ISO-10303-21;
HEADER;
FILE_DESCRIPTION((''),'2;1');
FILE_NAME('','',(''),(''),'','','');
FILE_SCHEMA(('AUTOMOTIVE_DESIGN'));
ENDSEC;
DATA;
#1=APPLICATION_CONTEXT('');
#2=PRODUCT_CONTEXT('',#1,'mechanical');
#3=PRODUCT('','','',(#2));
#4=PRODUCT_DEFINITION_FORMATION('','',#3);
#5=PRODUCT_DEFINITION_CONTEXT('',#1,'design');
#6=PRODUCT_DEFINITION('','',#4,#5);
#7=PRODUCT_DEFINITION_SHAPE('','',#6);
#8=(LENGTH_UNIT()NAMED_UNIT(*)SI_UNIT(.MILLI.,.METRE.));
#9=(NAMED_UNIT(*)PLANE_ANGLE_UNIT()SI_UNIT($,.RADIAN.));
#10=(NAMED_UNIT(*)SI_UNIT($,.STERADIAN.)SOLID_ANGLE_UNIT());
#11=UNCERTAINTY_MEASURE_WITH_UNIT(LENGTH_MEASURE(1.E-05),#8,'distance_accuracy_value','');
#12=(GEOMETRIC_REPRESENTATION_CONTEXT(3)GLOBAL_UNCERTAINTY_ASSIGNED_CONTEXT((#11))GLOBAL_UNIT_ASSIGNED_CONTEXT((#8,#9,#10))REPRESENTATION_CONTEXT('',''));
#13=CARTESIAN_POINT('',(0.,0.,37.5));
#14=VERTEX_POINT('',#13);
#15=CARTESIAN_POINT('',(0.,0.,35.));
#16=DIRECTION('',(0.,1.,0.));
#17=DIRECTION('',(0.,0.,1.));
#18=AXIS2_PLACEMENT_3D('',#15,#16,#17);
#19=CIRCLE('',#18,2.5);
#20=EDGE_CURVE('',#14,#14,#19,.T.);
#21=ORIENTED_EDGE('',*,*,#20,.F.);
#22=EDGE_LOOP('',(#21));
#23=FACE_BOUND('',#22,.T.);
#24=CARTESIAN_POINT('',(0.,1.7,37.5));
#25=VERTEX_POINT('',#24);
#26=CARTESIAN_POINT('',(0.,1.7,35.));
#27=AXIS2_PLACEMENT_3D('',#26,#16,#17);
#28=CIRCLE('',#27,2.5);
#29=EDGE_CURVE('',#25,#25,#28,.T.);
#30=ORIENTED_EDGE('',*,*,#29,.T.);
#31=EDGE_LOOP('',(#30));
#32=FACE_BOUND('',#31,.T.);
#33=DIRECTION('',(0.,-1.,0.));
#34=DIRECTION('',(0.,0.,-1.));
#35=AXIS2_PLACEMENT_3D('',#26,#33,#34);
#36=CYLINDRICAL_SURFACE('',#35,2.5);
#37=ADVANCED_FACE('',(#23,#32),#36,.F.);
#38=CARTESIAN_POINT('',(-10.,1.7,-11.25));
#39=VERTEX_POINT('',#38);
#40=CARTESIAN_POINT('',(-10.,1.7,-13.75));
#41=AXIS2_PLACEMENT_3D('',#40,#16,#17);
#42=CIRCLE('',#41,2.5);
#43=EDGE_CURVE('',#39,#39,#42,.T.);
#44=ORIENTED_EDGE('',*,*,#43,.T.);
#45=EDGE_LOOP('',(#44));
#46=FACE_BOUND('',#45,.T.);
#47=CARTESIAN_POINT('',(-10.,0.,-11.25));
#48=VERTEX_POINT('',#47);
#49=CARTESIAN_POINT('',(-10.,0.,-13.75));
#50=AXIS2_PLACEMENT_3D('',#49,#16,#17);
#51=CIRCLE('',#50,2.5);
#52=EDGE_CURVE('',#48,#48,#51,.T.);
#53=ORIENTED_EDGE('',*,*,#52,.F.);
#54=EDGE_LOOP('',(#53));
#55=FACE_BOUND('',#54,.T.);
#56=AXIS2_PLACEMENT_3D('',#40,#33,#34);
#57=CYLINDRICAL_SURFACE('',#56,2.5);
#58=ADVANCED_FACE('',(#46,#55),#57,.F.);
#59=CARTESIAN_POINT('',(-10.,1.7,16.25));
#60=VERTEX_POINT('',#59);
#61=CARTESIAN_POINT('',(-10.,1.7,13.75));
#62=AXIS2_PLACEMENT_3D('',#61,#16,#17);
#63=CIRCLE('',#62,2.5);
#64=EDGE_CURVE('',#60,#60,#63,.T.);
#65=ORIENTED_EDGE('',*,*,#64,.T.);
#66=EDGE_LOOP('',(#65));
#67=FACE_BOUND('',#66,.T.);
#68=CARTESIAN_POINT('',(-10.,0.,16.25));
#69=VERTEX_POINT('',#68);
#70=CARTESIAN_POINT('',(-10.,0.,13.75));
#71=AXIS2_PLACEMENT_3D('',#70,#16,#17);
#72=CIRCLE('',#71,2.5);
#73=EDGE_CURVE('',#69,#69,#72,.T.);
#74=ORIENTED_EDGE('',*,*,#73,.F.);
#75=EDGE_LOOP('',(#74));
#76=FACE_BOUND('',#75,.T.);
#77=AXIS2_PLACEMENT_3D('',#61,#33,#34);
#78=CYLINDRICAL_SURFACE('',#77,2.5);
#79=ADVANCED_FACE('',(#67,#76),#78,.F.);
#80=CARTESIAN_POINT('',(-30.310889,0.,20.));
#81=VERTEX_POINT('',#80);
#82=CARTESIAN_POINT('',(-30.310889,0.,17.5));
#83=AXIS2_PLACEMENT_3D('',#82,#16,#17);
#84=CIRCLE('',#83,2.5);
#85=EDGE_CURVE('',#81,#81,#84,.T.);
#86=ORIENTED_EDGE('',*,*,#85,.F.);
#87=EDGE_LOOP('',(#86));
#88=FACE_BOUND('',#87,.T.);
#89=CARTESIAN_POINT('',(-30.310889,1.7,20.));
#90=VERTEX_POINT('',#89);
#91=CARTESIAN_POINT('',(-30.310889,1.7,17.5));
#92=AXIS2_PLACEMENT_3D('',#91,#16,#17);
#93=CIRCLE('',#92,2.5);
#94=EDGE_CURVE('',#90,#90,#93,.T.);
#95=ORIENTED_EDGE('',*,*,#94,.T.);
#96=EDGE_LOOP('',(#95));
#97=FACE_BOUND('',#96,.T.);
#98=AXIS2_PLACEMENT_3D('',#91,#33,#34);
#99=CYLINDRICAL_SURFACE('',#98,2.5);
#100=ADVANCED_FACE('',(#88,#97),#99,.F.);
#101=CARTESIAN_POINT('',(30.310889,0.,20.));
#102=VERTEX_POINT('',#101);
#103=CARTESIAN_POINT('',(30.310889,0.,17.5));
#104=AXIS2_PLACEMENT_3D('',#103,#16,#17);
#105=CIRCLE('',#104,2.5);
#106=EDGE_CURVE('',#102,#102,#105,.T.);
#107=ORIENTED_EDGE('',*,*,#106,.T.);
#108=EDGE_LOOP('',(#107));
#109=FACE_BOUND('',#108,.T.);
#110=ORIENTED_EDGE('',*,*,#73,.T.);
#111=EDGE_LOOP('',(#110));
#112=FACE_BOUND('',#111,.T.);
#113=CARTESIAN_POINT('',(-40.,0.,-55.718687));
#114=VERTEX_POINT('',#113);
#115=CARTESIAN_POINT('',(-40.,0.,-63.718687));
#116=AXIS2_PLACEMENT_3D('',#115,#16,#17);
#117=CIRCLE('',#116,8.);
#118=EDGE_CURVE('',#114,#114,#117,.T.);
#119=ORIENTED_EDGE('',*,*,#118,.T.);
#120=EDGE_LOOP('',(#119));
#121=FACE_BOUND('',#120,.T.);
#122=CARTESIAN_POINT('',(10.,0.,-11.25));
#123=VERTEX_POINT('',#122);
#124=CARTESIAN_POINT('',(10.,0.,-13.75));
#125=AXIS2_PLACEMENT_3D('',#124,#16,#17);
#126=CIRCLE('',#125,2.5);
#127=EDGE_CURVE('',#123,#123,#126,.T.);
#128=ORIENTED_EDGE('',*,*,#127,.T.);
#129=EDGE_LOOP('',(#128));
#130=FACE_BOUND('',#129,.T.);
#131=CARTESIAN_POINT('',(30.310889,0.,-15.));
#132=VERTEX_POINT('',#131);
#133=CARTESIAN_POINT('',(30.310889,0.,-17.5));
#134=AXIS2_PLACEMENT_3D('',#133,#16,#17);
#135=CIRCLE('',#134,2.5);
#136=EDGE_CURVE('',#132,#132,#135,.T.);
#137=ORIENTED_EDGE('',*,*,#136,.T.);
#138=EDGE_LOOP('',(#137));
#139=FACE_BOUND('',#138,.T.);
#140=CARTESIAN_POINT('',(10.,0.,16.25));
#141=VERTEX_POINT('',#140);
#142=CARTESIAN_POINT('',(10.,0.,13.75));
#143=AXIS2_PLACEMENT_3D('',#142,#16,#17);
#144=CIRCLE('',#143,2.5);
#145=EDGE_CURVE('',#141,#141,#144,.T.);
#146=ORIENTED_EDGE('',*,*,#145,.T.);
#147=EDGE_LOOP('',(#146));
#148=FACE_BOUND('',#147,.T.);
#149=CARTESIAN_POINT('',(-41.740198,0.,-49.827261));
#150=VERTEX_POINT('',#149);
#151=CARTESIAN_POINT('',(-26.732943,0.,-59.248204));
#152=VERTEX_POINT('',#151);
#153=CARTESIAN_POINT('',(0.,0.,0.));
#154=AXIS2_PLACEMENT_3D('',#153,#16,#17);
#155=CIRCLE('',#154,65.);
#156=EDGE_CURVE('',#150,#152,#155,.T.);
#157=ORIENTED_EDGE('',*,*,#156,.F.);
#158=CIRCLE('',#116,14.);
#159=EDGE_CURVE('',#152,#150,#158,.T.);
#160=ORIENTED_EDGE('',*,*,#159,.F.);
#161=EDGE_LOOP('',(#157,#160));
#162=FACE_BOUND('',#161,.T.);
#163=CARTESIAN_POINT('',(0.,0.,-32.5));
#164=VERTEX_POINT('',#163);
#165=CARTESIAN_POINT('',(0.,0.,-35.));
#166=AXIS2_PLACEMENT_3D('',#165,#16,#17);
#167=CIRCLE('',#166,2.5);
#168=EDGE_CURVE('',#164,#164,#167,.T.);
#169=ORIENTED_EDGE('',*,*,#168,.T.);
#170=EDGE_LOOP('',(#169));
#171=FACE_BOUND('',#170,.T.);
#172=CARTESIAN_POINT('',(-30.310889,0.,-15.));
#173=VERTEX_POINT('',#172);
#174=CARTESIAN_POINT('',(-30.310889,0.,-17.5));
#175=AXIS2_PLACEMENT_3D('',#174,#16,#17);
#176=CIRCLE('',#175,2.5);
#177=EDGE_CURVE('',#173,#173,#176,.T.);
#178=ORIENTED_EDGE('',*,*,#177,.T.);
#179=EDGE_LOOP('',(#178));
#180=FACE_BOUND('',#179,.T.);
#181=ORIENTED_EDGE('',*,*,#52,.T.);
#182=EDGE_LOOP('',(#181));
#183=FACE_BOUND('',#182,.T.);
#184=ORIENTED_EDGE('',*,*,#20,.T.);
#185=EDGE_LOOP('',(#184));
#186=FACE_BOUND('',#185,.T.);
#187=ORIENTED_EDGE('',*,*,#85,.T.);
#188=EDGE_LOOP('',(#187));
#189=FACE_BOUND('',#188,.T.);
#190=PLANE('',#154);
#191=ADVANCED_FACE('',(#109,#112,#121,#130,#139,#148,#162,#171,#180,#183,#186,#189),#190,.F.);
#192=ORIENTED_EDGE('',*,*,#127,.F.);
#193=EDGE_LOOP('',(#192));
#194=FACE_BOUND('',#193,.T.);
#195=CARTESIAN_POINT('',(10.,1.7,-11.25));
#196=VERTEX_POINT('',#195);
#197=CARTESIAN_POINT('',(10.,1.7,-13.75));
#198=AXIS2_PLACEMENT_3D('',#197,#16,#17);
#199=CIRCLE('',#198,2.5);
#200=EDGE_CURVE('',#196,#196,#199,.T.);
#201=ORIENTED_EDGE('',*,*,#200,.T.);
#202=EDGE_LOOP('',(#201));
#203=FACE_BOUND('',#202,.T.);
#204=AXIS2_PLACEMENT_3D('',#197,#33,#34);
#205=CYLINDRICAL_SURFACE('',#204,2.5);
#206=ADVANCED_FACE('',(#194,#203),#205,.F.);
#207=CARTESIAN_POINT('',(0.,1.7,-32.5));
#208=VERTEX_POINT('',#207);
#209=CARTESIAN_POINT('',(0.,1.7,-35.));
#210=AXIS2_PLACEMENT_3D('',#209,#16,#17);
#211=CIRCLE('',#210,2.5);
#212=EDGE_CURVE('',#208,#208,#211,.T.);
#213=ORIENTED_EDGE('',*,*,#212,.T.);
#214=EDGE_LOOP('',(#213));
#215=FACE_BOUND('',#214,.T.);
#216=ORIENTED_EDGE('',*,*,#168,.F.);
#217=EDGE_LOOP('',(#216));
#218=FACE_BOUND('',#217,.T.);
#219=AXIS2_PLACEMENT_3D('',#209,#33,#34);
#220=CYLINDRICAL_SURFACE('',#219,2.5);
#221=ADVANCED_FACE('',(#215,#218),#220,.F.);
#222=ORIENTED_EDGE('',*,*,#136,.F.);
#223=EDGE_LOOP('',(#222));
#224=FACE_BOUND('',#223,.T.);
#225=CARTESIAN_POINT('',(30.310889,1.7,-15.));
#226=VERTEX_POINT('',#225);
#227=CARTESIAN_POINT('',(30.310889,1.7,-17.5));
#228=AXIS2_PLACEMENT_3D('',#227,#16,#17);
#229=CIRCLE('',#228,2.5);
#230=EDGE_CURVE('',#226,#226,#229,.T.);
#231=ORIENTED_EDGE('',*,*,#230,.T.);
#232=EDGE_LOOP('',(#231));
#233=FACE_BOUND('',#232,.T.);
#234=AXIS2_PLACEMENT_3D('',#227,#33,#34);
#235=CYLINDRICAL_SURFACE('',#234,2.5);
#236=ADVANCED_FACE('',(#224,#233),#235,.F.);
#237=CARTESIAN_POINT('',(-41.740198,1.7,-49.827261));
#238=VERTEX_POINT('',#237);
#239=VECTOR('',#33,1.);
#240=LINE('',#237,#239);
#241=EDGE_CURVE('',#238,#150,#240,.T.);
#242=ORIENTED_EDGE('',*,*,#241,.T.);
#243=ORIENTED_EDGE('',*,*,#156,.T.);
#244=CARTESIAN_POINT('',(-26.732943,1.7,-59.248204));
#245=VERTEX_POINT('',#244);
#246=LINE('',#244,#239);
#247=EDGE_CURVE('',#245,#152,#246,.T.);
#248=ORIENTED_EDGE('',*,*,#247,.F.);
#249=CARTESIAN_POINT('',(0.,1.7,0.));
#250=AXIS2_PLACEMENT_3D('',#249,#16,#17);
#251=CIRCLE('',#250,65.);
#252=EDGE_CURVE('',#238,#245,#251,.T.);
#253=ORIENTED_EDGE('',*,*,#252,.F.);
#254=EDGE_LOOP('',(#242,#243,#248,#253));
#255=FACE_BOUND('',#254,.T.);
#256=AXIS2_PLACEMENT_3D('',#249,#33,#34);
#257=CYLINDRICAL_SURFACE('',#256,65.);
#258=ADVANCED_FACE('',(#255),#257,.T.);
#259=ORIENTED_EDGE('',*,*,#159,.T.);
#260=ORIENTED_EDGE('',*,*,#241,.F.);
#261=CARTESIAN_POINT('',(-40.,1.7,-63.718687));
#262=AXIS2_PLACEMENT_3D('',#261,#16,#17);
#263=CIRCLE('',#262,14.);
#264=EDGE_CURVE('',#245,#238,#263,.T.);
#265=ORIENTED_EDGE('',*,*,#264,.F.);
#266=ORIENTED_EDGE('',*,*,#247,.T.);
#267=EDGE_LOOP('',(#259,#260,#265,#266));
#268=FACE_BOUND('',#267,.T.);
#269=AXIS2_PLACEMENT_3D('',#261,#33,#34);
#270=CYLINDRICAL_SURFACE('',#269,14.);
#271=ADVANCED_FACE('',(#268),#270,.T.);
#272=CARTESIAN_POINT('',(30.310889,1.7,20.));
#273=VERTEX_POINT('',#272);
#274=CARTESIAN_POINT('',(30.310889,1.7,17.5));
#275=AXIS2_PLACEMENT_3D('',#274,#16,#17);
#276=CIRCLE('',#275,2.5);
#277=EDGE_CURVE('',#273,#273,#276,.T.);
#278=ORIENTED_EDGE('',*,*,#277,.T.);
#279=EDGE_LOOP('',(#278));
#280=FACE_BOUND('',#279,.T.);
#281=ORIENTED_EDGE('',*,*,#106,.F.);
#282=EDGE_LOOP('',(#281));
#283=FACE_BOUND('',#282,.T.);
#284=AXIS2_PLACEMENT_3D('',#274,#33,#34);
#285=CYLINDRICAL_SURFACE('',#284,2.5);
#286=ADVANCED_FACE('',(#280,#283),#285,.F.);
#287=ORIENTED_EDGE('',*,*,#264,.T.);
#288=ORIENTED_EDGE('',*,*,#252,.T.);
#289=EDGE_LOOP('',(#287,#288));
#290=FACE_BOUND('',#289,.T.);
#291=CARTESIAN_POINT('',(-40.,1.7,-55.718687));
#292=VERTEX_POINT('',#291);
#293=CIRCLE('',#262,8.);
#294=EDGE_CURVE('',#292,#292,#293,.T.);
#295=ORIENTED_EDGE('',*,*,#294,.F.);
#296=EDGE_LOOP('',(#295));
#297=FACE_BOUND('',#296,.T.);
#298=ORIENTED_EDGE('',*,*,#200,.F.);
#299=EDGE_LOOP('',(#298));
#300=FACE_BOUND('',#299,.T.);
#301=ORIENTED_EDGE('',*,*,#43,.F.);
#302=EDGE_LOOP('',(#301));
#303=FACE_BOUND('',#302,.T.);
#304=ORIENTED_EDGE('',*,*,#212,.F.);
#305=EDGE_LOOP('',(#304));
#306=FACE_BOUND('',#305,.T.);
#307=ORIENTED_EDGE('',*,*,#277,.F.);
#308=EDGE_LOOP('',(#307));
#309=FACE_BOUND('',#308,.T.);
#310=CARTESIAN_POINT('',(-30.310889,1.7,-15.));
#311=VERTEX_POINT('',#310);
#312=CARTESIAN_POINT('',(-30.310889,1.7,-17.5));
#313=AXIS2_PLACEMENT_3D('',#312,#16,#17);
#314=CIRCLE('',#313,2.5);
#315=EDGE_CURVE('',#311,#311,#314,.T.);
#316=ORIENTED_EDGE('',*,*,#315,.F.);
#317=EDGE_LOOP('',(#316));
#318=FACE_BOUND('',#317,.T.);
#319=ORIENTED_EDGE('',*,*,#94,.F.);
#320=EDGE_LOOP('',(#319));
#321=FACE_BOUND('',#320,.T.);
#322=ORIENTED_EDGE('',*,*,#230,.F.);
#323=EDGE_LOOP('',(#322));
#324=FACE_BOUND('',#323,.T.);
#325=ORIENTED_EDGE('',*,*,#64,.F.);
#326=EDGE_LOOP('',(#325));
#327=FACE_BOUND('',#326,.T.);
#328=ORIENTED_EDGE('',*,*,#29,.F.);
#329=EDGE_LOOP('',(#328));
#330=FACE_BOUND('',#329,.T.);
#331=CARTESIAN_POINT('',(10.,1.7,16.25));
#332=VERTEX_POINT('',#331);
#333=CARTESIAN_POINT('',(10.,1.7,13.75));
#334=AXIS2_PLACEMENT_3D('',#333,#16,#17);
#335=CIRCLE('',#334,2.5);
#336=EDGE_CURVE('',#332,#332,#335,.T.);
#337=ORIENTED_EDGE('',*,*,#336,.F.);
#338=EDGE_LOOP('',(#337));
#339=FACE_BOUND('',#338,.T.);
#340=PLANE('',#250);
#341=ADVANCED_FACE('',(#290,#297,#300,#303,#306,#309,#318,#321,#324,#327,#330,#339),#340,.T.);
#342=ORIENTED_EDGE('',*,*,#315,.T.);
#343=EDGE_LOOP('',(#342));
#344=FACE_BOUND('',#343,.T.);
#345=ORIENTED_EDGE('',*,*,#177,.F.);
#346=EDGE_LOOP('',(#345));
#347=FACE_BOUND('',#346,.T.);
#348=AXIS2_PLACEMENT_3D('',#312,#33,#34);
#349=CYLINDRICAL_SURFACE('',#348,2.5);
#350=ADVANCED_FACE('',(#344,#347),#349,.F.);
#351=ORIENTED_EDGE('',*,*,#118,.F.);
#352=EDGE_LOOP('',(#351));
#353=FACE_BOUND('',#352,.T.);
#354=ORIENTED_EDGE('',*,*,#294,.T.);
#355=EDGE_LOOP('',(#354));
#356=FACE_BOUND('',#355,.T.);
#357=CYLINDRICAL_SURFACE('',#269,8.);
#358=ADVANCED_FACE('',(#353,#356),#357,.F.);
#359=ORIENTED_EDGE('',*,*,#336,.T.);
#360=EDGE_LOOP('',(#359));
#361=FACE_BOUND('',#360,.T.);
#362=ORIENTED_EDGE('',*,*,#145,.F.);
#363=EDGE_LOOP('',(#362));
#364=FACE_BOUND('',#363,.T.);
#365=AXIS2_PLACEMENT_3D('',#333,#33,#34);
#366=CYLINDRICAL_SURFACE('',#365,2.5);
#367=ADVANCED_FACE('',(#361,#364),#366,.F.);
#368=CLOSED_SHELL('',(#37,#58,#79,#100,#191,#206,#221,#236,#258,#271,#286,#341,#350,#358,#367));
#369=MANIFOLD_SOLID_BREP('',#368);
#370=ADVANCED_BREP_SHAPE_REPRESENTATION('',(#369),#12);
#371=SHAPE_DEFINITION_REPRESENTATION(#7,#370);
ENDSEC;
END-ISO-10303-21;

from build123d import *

# Parameters (mm, degrees)
SKETCH1_R           = 65
SKETCH1_R_2         = 2.5
SKETCH1_R_3         = 14
SKETCH1_R_4         = 8
BOSS_EXTRUDE1_DEPTH = 1.7


with BuildPart() as part:
    # Sketch1 → Boss-Extrude1 (new body)
    # profile 1 of 2: a face of its own
    with BuildSketch(Plane(origin=(0, 0, 0), x_dir=(1, 0, 0), z_dir=(0, 1, 0))):
        Circle(SKETCH1_R)
        with Locations(Location((-10, 13.75, 0), (0, 0, 270))):
            Circle(SKETCH1_R_2, mode=Mode.SUBTRACT)
        with Locations(Location((10, 13.75, 0), (0, 0, 270))):
            Circle(SKETCH1_R_2, mode=Mode.SUBTRACT)
        with Locations(Location((10, -13.75, 0), (0, 0, 270))):
            Circle(SKETCH1_R_2, mode=Mode.SUBTRACT)
        with Locations(Location((-10, -13.75, 0), (0, 0, 270))):
            Circle(SKETCH1_R_2, mode=Mode.SUBTRACT)
        with Locations(Location((0, 35, 0), (0, 0, 270))):
            Circle(SKETCH1_R_2, mode=Mode.SUBTRACT)
        with Locations(Location((30.310889132, 17.5, 0), (0, 0, 270))):
            Circle(SKETCH1_R_2, mode=Mode.SUBTRACT)
        with Locations(Location((30.310889132, -17.5, 0), (0, 0, 270))):
            Circle(SKETCH1_R_2, mode=Mode.SUBTRACT)
        with Locations(Location((0, -35, 0), (0, 0, 270))):
            Circle(SKETCH1_R_2, mode=Mode.SUBTRACT)
        with Locations(Location((-30.310889132, -17.5, 0), (0, 0, 270))):
            Circle(SKETCH1_R_2, mode=Mode.SUBTRACT)
        with Locations(Location((-30.310889132, 17.5, 0), (0, 0, 270))):
            Circle(SKETCH1_R_2, mode=Mode.SUBTRACT)
    # profile 2 of 2: a face of its own
    with BuildSketch(Plane(origin=(0, 0, 0), x_dir=(1, 0, 0), z_dir=(0, 1, 0))):
        with Locations((-40, 63.718686589)):
            Circle(SKETCH1_R_3)
        with Locations(Location((-40, 63.718686589, 0), (0, 0, 270))):
            Circle(SKETCH1_R_4, mode=Mode.SUBTRACT)
    extrude(amount=BOSS_EXTRUDE1_DEPTH)


solid = part.part
